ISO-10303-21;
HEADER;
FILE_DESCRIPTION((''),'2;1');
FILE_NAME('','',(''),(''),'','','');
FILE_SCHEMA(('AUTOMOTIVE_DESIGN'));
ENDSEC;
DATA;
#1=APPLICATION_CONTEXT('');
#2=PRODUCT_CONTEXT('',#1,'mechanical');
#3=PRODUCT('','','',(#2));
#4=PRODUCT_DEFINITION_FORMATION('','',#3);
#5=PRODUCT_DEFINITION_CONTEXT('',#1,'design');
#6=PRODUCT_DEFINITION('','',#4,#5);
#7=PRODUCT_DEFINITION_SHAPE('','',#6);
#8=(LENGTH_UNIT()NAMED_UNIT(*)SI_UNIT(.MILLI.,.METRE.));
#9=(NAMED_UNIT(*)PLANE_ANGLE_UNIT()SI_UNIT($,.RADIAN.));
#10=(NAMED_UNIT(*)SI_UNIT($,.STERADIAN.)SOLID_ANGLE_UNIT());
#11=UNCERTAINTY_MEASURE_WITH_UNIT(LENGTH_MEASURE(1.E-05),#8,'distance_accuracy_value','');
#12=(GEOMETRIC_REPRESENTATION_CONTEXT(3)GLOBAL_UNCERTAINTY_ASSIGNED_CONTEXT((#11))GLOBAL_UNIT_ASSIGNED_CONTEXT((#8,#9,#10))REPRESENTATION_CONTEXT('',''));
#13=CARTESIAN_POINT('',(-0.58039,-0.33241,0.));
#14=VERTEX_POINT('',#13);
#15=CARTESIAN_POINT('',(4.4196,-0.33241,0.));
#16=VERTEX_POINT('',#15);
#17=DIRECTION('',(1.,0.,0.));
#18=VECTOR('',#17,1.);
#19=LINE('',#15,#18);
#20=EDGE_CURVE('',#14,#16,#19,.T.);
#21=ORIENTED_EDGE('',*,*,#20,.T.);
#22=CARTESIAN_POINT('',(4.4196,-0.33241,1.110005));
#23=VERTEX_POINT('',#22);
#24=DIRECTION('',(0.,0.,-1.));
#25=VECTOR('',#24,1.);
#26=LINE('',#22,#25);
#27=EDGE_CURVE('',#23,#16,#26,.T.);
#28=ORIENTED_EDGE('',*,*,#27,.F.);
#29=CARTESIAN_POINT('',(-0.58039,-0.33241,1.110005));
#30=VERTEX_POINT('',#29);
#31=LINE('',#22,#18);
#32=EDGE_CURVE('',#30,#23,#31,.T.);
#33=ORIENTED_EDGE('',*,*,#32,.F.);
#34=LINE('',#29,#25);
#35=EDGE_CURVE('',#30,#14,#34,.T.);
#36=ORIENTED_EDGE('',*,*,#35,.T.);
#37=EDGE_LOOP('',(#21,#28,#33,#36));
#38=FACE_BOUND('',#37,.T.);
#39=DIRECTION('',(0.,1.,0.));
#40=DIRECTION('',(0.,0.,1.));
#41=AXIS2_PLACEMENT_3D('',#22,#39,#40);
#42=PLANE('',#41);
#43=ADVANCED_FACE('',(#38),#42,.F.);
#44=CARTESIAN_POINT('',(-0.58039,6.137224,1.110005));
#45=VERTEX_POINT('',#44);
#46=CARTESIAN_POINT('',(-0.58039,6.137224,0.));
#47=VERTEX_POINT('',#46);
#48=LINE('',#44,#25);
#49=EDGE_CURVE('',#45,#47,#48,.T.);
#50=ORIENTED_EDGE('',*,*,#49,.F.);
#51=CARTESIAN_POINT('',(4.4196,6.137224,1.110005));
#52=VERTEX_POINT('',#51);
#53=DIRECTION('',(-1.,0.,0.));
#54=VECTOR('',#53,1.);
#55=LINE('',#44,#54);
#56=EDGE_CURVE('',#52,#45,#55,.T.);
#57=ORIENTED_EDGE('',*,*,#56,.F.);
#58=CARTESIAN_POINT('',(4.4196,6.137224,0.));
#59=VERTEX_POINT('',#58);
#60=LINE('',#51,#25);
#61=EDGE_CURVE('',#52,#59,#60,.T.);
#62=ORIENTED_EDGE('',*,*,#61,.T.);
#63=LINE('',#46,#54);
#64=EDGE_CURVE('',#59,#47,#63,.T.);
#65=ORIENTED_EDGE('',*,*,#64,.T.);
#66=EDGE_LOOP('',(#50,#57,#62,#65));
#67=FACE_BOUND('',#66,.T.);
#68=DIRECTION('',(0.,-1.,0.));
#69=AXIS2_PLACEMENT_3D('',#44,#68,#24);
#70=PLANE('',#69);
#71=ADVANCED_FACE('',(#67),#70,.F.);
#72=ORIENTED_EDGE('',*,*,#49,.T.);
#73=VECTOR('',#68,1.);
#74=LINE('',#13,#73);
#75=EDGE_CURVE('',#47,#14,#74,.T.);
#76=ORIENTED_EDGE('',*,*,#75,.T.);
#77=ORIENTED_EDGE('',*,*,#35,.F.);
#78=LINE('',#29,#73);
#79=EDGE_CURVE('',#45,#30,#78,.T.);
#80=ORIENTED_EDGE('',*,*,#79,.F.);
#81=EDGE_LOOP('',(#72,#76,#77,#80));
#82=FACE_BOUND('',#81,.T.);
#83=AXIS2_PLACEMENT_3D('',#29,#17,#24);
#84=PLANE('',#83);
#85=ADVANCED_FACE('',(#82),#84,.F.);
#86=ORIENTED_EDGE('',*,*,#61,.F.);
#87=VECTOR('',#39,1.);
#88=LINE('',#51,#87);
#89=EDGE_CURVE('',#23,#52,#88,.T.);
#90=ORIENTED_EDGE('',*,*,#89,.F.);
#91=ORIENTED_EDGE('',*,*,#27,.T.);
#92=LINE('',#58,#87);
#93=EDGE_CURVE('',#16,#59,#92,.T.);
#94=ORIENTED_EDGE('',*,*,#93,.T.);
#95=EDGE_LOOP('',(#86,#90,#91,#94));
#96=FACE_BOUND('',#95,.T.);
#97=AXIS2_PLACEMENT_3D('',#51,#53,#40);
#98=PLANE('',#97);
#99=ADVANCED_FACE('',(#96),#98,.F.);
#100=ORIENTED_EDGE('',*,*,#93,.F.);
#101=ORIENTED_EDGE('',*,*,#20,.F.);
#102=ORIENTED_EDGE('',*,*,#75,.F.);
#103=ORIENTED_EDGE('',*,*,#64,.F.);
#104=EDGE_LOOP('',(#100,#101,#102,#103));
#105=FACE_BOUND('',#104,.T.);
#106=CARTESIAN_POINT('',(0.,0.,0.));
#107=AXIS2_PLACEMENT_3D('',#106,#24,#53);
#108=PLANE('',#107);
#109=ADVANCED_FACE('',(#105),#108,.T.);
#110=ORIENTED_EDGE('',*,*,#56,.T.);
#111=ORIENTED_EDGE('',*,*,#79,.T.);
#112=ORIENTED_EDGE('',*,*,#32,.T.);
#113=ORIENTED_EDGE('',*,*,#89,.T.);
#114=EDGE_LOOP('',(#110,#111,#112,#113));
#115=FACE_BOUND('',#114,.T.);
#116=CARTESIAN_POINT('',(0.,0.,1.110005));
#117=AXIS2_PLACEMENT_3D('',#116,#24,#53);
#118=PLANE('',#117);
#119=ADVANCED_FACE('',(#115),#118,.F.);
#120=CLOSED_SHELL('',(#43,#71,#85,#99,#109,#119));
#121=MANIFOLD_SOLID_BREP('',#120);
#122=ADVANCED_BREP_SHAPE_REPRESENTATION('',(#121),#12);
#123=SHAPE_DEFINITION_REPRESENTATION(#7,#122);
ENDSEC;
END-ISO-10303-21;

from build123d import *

# Parameters (mm, degrees)
SKETCH1_W               = 4.99999
SKETCH1_H               = 6.469634
COMPONENT_OUTLINE_DEPTH = 1.1100054


with BuildPart() as part:
    # Sketch1 → Component_Outline (new body)
    with BuildSketch(Plane.XY):
        with Locations((1.919605, 2.9024072)):
            Rectangle(SKETCH1_W, SKETCH1_H)
    extrude(amount=COMPONENT_OUTLINE_DEPTH)


solid = part.part
